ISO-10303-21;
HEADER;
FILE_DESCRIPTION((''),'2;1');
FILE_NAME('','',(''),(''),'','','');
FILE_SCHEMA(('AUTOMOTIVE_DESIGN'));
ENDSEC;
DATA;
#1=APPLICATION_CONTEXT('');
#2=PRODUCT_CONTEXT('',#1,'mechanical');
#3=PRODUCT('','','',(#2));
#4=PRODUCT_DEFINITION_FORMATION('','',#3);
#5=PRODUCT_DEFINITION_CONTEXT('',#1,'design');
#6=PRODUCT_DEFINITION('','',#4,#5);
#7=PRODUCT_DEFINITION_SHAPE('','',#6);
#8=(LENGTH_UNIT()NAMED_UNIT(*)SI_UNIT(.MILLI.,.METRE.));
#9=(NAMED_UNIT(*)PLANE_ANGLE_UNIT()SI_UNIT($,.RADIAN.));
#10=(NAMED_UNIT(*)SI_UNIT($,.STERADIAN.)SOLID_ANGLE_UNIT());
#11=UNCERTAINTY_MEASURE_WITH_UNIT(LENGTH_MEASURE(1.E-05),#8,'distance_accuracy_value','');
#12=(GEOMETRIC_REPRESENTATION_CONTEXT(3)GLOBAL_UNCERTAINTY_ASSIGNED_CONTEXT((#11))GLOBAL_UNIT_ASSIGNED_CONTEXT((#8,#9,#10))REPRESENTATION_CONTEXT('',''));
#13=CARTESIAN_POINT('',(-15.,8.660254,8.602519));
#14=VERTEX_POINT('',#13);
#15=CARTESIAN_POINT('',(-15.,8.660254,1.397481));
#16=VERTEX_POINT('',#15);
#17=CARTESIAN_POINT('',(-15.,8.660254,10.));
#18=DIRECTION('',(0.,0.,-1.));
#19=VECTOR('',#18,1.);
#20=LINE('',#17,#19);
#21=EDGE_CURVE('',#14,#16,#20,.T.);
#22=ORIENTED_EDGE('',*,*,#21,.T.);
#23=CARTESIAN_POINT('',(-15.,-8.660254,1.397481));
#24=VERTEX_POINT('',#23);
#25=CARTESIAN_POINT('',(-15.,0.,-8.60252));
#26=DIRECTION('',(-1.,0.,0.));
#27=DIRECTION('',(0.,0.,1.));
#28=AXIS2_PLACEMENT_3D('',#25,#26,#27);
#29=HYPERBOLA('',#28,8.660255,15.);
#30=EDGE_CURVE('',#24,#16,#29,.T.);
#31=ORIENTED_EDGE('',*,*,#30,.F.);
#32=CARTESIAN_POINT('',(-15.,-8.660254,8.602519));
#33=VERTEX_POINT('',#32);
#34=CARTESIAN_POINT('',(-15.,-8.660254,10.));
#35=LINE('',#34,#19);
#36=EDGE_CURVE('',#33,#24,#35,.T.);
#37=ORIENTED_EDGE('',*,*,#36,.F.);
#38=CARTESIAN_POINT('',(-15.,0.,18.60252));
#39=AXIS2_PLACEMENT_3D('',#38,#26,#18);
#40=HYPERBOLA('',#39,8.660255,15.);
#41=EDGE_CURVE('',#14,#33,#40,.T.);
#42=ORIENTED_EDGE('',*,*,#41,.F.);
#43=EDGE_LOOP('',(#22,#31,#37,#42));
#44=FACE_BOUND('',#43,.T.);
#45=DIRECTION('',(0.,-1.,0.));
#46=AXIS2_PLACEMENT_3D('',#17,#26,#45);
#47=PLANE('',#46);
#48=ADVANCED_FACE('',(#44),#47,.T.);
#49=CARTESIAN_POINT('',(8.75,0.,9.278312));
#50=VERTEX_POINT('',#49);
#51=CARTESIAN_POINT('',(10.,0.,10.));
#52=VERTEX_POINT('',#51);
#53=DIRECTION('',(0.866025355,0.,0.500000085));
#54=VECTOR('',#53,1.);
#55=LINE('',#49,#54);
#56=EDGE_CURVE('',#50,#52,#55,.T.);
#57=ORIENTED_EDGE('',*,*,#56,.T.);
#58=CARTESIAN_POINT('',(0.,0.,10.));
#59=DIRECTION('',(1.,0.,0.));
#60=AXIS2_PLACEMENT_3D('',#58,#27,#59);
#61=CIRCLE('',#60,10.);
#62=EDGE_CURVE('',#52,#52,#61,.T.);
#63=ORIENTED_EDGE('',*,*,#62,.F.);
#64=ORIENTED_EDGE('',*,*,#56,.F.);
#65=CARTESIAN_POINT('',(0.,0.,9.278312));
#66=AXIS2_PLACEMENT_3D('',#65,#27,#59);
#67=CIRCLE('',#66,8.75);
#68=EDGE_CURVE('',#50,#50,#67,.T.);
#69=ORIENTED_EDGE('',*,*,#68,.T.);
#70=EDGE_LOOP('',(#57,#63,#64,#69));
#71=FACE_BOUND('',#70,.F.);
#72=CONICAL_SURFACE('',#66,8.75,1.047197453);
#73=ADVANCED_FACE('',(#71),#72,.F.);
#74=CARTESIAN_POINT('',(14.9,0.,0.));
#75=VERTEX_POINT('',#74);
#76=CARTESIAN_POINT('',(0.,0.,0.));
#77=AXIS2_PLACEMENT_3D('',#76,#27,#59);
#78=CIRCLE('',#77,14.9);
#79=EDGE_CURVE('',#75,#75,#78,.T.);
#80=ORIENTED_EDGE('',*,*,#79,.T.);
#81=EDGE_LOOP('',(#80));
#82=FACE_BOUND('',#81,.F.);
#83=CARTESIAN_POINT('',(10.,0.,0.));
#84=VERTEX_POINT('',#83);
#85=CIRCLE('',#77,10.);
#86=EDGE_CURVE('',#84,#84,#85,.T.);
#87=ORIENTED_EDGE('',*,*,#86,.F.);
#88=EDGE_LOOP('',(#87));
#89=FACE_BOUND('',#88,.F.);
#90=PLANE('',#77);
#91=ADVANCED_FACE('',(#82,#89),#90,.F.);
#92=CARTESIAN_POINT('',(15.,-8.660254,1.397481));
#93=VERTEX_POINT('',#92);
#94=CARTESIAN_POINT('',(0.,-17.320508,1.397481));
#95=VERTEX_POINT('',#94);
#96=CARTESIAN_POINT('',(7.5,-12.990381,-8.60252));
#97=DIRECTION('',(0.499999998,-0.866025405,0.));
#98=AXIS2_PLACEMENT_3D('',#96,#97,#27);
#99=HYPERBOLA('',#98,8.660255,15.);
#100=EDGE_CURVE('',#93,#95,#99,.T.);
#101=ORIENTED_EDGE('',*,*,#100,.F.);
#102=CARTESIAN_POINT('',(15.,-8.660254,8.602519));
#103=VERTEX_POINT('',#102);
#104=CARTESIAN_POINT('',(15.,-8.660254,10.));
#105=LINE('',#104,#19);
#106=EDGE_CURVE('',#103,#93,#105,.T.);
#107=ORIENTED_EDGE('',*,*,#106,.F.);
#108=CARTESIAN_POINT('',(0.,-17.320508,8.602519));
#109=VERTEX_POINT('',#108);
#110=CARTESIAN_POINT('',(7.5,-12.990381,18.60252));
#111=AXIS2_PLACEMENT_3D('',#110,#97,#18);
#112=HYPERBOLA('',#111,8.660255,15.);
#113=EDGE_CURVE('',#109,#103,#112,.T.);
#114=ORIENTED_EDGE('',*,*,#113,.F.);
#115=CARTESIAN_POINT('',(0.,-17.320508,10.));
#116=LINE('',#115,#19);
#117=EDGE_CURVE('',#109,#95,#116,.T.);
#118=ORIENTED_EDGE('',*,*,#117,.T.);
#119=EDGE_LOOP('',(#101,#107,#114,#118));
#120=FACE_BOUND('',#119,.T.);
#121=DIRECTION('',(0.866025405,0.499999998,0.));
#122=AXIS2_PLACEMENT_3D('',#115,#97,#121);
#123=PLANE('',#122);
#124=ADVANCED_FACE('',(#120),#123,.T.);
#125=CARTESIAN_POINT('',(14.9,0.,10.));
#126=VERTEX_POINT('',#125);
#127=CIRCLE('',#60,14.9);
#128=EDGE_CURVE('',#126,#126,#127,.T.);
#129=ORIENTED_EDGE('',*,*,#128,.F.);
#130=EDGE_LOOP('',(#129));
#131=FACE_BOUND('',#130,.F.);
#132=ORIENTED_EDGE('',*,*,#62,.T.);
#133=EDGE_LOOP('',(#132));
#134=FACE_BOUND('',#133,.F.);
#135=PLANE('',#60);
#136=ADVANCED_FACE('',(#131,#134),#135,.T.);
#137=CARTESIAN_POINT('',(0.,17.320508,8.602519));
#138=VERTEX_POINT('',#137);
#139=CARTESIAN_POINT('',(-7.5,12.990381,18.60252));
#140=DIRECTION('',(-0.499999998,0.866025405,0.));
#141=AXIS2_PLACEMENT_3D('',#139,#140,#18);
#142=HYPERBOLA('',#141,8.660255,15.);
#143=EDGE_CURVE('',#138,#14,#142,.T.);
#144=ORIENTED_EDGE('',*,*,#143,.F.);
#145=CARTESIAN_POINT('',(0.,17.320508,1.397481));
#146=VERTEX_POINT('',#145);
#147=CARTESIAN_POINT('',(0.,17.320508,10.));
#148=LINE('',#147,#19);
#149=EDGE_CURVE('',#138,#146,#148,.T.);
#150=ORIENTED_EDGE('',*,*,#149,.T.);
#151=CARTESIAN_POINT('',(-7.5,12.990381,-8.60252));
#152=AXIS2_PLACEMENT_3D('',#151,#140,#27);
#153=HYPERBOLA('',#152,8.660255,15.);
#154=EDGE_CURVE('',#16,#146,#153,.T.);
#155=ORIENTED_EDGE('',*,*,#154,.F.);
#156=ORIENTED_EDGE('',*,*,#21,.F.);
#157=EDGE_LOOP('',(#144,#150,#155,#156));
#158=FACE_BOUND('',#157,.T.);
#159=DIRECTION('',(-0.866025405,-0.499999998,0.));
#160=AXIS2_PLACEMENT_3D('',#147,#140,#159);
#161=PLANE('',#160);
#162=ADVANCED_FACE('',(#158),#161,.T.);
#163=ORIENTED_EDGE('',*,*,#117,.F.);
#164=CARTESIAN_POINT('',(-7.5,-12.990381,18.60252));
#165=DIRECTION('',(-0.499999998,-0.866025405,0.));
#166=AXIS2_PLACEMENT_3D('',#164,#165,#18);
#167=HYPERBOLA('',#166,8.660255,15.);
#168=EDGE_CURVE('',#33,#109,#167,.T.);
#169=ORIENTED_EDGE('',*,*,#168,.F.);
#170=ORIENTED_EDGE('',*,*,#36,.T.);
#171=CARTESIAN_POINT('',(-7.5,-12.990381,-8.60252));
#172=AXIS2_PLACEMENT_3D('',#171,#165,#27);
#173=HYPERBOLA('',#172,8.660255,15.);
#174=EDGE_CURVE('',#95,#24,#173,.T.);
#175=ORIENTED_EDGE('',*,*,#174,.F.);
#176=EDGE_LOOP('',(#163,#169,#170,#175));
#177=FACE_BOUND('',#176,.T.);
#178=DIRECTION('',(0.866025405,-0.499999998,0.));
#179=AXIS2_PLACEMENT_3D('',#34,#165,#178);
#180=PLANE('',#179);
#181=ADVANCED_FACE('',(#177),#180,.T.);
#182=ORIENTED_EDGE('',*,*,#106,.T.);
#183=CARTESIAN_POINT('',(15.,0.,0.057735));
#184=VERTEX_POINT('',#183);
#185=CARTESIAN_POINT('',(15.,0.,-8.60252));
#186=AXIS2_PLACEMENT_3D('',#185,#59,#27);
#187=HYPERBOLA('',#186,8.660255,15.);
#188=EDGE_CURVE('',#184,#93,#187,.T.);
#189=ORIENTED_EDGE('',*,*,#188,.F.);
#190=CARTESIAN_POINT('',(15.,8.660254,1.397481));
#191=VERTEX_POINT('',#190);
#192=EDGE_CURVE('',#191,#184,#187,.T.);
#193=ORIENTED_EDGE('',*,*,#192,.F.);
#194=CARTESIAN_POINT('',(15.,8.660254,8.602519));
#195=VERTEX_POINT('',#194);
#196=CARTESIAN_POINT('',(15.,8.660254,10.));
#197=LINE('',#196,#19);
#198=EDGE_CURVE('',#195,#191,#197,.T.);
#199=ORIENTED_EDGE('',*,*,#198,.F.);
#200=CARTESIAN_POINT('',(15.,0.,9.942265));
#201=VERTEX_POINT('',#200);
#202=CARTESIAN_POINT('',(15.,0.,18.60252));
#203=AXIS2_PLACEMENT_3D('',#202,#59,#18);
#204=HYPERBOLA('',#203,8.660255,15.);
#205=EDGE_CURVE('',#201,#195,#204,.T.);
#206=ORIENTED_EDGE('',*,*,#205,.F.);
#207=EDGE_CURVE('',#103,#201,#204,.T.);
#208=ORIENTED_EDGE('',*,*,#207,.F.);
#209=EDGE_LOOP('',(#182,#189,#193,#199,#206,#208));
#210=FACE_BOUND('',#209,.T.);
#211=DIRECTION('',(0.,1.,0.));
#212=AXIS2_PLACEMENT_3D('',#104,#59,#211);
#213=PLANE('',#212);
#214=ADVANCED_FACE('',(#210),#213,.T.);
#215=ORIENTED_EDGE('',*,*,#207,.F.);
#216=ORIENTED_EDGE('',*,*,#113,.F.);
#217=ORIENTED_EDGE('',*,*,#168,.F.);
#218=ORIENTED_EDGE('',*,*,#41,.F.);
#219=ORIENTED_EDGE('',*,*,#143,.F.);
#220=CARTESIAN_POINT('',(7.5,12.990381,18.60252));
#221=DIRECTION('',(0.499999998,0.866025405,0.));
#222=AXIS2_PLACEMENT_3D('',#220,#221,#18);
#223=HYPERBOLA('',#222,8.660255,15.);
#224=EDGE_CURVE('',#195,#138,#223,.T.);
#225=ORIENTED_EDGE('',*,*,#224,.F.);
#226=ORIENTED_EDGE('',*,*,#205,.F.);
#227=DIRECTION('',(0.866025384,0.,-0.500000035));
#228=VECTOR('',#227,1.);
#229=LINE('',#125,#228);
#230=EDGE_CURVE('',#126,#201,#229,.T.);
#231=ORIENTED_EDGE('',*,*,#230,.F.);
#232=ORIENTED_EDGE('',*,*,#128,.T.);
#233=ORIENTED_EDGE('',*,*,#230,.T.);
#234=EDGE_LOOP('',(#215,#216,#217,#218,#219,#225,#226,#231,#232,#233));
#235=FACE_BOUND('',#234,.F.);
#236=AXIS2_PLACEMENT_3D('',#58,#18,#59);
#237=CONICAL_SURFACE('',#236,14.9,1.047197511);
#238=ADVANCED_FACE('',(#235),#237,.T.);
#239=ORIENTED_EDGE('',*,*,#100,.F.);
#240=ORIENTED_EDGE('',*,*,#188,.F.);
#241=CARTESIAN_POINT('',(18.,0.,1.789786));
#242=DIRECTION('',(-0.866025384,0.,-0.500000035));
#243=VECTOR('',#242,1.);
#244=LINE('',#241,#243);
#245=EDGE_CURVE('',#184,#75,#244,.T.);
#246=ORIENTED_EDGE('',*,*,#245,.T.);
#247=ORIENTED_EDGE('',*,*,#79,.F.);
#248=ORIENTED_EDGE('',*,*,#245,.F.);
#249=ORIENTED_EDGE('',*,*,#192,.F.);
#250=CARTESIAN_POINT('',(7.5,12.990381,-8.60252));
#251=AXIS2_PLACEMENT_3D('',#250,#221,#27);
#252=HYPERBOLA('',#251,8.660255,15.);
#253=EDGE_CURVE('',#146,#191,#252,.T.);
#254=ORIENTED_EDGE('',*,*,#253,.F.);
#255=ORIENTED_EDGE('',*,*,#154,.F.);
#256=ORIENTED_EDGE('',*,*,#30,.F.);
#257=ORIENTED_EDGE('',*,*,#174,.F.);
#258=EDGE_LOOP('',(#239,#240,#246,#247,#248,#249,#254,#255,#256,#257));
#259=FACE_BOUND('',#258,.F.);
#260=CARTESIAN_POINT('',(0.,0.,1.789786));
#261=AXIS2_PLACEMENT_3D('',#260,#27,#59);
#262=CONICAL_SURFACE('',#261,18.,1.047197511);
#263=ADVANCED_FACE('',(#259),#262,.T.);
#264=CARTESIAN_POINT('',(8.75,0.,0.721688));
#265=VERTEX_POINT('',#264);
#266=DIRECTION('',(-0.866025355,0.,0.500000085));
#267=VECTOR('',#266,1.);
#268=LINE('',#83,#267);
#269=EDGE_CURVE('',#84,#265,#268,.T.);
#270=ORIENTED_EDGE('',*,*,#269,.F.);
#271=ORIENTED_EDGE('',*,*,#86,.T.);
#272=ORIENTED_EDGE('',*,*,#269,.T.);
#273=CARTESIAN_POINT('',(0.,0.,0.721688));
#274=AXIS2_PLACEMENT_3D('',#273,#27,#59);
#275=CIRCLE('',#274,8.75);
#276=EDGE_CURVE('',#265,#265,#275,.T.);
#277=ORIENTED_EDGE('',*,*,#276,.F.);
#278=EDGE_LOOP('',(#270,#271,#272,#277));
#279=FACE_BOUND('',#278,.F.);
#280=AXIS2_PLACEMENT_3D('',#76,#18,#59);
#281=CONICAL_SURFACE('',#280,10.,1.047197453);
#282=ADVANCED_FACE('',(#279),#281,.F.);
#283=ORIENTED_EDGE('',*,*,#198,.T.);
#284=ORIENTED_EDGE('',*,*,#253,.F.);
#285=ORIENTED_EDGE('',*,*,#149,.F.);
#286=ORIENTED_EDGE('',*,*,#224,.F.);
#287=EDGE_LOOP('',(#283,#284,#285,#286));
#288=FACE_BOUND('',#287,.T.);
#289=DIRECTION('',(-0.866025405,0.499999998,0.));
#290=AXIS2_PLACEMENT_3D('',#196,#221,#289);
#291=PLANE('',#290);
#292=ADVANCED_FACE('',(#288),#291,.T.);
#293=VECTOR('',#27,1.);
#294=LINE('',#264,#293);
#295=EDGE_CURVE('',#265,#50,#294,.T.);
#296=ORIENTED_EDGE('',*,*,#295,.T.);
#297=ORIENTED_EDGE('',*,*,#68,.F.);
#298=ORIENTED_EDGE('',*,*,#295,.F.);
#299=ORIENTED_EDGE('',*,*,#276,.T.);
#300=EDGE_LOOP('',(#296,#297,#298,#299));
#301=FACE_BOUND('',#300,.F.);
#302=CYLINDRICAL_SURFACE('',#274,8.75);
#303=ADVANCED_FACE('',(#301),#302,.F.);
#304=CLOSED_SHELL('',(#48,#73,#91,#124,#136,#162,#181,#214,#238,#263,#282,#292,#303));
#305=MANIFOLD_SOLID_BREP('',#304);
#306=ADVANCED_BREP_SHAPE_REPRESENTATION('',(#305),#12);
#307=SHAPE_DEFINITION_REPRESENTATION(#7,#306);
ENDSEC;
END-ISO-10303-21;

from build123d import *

# Parameters (mm, degrees)
SKETCH001_R  = 18
POCKET_DEPTH = 10


with BuildPart() as part:
    # Sketch → Revolution (revolve)
    with BuildSketch(Plane.XZ):
        Polygon((10, 0), (8.75, 0.721688), (8.75, 9.278312), (10, 10), (14.9, 10), (18, 8.210214), (18, 1.789786), (14.9, 0), align=None)
    revolve(axis=Axis((0, 0, 0), (0, 0, 1)))

    # Sketch001 → Pocket (cut)
    with BuildSketch(Plane(origin=(0, 0, 10), x_dir=(-1, 0, 0), z_dir=(0, 0, 1))):
        Circle(SKETCH001_R)
        Polygon((-15, 8.660254), (-15, -8.660254), (0, -17.320508), (15, -8.660254), (15, 8.660254), (0, 17.320508), align=None, mode=Mode.SUBTRACT)
    extrude(amount=-POCKET_DEPTH, mode=Mode.SUBTRACT)


solid = part.part
